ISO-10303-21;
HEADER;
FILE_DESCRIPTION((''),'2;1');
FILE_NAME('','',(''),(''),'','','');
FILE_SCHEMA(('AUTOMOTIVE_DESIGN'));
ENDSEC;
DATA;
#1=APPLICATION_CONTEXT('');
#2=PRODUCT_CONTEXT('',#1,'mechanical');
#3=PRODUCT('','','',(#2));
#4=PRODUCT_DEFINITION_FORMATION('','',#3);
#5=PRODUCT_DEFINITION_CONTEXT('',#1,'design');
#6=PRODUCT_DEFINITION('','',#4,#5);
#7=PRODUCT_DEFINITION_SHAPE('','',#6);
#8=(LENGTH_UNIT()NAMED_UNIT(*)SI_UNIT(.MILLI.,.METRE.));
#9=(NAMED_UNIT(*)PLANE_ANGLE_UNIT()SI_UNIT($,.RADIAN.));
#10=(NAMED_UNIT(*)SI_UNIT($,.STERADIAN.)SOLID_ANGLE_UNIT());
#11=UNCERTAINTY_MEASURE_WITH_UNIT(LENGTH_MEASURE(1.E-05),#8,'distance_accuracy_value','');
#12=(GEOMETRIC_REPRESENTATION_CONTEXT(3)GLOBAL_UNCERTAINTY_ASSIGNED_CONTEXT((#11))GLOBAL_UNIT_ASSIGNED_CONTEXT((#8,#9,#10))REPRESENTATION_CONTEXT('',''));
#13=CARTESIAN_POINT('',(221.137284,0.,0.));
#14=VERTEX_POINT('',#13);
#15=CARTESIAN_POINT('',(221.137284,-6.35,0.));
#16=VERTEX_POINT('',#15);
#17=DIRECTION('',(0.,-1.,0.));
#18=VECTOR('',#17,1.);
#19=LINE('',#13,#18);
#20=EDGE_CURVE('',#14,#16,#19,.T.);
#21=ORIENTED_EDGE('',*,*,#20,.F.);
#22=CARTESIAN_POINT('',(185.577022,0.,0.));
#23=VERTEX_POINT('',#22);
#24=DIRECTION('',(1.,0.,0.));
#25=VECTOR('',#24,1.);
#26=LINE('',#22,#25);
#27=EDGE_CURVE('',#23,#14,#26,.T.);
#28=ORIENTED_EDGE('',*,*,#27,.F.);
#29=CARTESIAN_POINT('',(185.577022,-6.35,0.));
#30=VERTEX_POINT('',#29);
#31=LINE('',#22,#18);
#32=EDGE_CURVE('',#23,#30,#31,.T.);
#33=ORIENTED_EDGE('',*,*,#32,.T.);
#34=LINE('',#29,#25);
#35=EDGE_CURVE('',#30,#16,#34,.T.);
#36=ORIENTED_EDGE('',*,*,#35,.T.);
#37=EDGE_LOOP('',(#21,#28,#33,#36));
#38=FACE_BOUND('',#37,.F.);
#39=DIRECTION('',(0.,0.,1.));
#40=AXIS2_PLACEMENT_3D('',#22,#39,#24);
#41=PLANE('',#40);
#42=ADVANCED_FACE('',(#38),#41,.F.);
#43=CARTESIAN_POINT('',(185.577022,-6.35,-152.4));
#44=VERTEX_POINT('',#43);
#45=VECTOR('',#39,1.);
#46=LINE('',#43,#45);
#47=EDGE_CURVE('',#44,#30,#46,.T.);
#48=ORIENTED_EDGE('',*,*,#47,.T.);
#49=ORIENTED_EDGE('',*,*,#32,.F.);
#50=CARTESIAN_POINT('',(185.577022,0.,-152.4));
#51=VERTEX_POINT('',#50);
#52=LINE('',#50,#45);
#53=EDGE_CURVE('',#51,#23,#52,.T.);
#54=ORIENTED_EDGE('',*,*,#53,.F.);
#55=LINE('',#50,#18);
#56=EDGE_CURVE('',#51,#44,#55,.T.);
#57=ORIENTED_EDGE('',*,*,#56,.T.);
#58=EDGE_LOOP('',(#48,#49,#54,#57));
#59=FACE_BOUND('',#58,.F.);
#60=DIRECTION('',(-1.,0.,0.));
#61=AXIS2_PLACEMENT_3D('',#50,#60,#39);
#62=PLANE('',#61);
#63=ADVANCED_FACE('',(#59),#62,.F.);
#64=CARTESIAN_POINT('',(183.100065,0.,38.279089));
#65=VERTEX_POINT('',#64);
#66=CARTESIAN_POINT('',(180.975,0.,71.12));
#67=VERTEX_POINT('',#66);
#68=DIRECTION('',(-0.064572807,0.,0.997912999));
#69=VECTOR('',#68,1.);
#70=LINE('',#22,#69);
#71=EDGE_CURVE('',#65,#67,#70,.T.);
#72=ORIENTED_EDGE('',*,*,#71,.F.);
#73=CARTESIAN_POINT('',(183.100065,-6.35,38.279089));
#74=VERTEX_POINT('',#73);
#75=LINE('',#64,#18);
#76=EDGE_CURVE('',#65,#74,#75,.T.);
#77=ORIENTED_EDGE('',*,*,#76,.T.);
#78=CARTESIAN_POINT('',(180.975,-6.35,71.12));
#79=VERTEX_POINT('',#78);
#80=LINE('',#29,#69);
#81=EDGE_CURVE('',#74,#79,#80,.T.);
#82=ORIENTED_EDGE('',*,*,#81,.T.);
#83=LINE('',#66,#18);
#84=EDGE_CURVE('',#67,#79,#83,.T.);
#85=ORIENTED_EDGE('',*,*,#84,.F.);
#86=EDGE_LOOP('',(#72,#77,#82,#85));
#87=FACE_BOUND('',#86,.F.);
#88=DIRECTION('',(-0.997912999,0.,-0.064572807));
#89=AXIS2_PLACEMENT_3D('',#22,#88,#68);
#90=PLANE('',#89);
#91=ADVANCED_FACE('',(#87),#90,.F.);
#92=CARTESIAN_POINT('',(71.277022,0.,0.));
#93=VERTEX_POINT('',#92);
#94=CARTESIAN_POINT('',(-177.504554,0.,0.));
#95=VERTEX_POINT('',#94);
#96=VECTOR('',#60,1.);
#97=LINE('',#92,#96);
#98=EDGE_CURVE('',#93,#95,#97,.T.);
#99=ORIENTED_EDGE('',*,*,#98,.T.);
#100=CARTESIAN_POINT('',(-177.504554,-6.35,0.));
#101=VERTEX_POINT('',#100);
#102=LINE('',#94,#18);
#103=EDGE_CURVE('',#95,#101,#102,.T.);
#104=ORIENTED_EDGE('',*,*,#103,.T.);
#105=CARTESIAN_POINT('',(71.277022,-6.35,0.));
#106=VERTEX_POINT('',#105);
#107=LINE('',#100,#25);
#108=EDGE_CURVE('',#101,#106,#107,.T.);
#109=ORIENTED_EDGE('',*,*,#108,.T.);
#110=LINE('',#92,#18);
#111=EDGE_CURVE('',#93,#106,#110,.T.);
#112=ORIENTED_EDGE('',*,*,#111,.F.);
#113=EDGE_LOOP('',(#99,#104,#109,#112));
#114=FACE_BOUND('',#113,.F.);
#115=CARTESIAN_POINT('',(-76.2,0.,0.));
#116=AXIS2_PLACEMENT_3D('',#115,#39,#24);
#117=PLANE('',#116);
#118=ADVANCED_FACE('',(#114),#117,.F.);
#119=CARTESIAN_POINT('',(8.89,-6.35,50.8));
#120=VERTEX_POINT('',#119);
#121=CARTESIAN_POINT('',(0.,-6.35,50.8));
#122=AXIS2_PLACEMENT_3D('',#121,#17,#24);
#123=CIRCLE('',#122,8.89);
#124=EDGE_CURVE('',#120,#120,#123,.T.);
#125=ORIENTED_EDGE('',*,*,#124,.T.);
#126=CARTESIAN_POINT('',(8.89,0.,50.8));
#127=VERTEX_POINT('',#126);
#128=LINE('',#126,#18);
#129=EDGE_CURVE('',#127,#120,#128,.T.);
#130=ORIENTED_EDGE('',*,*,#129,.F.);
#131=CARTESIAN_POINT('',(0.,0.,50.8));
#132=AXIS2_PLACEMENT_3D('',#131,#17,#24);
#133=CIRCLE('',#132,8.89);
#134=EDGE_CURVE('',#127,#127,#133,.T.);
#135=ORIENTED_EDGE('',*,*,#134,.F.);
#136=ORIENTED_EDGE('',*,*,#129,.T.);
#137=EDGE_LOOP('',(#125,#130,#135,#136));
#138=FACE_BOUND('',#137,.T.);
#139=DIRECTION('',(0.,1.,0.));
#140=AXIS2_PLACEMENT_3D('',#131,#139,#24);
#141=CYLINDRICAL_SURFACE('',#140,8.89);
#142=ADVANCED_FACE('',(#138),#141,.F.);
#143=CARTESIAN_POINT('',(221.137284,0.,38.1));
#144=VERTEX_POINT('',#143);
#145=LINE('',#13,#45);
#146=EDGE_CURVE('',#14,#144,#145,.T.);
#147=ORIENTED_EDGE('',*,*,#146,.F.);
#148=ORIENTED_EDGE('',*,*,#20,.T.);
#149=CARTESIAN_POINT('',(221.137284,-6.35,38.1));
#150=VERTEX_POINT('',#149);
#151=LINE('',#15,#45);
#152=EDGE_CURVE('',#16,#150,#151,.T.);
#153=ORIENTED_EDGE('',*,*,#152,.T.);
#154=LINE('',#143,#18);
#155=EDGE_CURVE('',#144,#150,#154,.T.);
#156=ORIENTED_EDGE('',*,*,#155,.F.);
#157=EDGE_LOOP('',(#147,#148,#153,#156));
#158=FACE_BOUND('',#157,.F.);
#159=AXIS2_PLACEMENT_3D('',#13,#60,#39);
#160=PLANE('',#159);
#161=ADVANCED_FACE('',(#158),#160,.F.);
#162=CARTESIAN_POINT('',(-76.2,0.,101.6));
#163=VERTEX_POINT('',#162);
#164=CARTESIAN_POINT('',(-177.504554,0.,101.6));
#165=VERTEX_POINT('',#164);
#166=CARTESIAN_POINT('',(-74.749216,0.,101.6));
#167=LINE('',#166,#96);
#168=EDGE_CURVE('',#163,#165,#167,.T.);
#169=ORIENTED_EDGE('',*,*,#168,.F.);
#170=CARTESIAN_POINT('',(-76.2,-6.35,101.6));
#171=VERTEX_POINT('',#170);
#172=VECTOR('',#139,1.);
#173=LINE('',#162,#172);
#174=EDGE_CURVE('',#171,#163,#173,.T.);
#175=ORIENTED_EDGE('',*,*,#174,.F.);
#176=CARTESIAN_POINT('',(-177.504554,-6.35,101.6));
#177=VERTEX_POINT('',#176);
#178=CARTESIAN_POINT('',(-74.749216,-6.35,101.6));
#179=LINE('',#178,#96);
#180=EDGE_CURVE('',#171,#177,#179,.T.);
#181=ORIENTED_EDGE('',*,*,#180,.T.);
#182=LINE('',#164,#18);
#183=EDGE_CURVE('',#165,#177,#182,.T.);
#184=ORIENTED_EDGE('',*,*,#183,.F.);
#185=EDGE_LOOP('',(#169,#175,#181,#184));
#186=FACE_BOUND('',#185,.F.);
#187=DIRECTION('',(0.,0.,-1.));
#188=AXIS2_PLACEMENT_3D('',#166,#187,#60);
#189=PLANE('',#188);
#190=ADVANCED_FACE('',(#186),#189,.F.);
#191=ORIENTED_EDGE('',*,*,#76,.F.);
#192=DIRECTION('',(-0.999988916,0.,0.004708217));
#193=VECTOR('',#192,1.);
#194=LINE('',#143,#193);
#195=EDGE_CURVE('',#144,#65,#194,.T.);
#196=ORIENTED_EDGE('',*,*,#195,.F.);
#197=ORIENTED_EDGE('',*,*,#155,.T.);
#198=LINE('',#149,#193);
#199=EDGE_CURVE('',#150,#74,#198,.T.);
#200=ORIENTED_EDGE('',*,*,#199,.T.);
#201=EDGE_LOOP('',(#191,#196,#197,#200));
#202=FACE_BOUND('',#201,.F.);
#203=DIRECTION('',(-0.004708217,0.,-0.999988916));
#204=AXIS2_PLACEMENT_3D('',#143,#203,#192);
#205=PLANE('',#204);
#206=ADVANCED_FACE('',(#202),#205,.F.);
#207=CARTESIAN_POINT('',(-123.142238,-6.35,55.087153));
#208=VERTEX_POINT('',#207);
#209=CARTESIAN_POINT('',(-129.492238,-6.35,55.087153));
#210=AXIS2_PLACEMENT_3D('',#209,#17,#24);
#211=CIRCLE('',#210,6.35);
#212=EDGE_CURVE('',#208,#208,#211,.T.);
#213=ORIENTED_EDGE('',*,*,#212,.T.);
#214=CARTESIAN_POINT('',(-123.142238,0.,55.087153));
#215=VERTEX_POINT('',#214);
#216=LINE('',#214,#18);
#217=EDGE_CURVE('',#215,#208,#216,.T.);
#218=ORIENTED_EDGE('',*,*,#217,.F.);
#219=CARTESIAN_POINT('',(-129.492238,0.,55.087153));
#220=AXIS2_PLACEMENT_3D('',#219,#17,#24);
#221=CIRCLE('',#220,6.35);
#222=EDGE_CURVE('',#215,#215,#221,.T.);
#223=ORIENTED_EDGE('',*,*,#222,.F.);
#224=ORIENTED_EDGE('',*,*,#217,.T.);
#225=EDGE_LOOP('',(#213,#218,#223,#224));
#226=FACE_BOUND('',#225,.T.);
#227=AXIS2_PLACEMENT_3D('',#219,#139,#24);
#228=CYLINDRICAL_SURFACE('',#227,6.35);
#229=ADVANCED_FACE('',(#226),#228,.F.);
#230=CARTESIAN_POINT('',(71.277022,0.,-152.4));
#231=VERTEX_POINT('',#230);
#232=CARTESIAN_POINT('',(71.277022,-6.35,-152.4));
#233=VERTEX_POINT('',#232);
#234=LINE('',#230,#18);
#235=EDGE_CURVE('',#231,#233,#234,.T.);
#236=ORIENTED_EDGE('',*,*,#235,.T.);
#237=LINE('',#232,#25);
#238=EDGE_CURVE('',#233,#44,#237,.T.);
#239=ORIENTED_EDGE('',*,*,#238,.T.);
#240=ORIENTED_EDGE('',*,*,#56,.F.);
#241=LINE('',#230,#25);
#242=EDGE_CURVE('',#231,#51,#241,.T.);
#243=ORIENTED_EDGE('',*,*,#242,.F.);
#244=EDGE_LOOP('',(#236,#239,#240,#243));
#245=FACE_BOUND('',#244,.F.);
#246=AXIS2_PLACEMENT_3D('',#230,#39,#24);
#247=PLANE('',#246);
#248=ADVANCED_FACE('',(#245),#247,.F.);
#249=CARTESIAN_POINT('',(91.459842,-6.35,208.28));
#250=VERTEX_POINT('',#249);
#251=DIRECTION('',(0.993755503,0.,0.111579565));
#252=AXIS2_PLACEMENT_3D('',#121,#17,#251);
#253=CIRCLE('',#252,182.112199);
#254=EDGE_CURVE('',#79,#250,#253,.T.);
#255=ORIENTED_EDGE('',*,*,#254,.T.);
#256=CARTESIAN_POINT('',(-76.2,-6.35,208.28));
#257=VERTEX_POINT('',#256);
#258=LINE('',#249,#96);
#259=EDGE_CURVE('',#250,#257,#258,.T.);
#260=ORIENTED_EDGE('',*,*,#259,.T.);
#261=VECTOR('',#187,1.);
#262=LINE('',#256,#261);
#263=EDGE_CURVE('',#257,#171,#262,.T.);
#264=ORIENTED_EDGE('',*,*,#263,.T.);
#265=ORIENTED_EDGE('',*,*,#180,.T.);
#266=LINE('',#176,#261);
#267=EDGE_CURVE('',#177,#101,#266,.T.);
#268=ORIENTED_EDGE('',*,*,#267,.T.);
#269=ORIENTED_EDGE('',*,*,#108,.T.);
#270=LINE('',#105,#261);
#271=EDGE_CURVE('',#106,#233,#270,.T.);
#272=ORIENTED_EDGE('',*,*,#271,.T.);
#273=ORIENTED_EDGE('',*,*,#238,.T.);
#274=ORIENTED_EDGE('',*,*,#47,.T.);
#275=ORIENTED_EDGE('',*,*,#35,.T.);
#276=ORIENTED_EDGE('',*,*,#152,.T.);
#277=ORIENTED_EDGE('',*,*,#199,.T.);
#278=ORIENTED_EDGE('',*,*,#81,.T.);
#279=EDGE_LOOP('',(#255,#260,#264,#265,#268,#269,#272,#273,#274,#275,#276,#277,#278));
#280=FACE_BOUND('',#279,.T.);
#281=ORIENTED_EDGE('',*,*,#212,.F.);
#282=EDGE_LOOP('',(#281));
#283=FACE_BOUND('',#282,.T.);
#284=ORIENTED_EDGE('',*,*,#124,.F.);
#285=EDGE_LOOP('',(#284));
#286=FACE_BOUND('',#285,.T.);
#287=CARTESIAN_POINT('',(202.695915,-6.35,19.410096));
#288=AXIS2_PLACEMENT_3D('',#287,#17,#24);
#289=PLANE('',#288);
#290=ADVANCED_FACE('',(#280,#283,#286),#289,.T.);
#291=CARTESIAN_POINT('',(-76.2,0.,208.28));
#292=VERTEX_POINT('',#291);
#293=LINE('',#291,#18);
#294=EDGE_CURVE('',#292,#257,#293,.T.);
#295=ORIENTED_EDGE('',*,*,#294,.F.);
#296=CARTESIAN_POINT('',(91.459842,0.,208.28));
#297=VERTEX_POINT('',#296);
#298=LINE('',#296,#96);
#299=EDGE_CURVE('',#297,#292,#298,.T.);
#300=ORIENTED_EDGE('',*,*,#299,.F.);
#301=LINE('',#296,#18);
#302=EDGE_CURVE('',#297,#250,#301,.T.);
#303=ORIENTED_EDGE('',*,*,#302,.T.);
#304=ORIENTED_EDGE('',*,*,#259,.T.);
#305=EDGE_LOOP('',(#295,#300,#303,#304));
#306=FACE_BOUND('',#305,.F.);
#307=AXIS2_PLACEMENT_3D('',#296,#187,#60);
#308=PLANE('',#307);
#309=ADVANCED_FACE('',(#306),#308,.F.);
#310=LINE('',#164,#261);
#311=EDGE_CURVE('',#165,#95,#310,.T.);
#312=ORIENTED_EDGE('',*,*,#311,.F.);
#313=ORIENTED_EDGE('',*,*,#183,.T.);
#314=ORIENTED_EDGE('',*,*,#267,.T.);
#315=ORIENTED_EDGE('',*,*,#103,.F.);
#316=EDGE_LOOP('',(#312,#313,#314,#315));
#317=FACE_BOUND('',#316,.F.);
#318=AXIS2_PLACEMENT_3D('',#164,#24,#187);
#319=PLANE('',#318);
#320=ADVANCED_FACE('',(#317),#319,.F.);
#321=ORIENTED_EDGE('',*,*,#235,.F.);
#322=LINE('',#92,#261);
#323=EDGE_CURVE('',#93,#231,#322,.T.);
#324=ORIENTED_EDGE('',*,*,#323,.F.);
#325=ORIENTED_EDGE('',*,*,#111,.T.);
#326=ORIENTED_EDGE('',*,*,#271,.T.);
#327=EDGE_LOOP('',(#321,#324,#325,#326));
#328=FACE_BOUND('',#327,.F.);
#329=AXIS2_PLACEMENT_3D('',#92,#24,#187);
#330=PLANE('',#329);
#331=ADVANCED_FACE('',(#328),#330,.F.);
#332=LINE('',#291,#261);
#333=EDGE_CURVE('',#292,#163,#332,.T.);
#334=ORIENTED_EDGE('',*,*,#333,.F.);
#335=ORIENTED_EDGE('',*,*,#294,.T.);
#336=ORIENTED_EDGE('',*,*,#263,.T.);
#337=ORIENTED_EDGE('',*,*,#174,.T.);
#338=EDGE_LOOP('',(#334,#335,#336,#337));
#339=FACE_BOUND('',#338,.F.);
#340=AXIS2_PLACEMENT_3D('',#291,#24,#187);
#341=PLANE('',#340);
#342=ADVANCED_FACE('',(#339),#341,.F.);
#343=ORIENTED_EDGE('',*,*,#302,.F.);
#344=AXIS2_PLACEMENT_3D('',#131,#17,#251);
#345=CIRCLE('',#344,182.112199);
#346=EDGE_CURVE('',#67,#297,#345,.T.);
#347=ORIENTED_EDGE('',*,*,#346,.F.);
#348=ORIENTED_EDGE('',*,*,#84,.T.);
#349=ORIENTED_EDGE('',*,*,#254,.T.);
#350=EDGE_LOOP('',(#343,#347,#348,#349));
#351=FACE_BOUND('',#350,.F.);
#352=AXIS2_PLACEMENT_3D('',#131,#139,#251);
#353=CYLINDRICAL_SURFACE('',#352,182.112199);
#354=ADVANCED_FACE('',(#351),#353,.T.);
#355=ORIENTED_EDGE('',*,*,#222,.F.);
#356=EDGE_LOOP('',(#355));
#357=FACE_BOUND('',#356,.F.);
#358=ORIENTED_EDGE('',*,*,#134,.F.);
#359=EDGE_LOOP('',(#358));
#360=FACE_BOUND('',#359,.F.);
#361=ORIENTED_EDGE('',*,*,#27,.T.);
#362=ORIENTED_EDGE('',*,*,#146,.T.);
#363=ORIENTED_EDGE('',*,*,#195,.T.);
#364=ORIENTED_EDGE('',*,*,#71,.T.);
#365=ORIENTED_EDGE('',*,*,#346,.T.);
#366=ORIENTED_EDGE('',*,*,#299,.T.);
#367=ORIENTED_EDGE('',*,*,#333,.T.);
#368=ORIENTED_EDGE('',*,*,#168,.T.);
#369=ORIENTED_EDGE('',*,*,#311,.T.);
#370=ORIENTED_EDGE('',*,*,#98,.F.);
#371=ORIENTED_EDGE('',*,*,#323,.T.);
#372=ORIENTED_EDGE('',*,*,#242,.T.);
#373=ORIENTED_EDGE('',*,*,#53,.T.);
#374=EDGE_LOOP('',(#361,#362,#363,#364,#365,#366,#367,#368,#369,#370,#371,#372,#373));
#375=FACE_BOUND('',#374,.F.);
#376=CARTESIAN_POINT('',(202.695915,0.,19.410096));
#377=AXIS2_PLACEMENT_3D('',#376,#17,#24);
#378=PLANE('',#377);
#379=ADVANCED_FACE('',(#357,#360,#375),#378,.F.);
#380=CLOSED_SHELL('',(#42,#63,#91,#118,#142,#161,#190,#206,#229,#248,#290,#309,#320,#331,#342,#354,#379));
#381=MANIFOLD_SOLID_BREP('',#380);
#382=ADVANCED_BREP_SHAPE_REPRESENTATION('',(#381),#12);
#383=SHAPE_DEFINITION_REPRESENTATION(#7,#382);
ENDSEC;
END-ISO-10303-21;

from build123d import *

# Parameters (mm, degrees)
F0_R     = 8.89
F1_DEPTH = 6.35
F2_R     = 6.35
F3_DEPTH = 6.35


with BuildPart() as f1:
    # F0 (on Front) → F1 (new body)
    with BuildSketch(Plane.XZ):
        with BuildLine():
            Line((185.577022469, 0), (180.975, 71.12))
            ThreePointArc((180.975, 71.12), (152.5070559975, 150.3311554036), (91.4598415973, 208.28))
            Line((91.4598415973, 208.28), (-76.2, 208.28))
            Line((-76.2, 208.28), (-76.2, 0))
            Line((-76.2, 0), (71.277022469, 0))
            Line((71.277022469, 0), (71.277022469, -152.4))
            Line((71.277022469, -152.4), (185.577022469, -152.4))
            Line((185.577022469, -152.4), (185.577022469, 0))
        make_face()
        with Locations((0, 50.8)):
            Circle(F0_R, mode=Mode.SUBTRACT)
    extrude(amount=F1_DEPTH)

    # F2 (on Front) → F3 (join)
    with BuildSketch(Plane.XZ):
        Polygon((183.1000647938, 38.2790894758), (185.577022469, 0), (221.1372837614, 0), (221.1372837614, 38.1), align=None)
        Polygon((-177.5045543909, 0), (-75.9045543909, 0), (-74.7492164373, 101.6), (-177.5045543909, 101.6), align=None)
        with Locations((-129.4922381639, 55.0871528685)):
            Circle(F2_R, mode=Mode.SUBTRACT)
    extrude(amount=F3_DEPTH)


solid = f1.part
